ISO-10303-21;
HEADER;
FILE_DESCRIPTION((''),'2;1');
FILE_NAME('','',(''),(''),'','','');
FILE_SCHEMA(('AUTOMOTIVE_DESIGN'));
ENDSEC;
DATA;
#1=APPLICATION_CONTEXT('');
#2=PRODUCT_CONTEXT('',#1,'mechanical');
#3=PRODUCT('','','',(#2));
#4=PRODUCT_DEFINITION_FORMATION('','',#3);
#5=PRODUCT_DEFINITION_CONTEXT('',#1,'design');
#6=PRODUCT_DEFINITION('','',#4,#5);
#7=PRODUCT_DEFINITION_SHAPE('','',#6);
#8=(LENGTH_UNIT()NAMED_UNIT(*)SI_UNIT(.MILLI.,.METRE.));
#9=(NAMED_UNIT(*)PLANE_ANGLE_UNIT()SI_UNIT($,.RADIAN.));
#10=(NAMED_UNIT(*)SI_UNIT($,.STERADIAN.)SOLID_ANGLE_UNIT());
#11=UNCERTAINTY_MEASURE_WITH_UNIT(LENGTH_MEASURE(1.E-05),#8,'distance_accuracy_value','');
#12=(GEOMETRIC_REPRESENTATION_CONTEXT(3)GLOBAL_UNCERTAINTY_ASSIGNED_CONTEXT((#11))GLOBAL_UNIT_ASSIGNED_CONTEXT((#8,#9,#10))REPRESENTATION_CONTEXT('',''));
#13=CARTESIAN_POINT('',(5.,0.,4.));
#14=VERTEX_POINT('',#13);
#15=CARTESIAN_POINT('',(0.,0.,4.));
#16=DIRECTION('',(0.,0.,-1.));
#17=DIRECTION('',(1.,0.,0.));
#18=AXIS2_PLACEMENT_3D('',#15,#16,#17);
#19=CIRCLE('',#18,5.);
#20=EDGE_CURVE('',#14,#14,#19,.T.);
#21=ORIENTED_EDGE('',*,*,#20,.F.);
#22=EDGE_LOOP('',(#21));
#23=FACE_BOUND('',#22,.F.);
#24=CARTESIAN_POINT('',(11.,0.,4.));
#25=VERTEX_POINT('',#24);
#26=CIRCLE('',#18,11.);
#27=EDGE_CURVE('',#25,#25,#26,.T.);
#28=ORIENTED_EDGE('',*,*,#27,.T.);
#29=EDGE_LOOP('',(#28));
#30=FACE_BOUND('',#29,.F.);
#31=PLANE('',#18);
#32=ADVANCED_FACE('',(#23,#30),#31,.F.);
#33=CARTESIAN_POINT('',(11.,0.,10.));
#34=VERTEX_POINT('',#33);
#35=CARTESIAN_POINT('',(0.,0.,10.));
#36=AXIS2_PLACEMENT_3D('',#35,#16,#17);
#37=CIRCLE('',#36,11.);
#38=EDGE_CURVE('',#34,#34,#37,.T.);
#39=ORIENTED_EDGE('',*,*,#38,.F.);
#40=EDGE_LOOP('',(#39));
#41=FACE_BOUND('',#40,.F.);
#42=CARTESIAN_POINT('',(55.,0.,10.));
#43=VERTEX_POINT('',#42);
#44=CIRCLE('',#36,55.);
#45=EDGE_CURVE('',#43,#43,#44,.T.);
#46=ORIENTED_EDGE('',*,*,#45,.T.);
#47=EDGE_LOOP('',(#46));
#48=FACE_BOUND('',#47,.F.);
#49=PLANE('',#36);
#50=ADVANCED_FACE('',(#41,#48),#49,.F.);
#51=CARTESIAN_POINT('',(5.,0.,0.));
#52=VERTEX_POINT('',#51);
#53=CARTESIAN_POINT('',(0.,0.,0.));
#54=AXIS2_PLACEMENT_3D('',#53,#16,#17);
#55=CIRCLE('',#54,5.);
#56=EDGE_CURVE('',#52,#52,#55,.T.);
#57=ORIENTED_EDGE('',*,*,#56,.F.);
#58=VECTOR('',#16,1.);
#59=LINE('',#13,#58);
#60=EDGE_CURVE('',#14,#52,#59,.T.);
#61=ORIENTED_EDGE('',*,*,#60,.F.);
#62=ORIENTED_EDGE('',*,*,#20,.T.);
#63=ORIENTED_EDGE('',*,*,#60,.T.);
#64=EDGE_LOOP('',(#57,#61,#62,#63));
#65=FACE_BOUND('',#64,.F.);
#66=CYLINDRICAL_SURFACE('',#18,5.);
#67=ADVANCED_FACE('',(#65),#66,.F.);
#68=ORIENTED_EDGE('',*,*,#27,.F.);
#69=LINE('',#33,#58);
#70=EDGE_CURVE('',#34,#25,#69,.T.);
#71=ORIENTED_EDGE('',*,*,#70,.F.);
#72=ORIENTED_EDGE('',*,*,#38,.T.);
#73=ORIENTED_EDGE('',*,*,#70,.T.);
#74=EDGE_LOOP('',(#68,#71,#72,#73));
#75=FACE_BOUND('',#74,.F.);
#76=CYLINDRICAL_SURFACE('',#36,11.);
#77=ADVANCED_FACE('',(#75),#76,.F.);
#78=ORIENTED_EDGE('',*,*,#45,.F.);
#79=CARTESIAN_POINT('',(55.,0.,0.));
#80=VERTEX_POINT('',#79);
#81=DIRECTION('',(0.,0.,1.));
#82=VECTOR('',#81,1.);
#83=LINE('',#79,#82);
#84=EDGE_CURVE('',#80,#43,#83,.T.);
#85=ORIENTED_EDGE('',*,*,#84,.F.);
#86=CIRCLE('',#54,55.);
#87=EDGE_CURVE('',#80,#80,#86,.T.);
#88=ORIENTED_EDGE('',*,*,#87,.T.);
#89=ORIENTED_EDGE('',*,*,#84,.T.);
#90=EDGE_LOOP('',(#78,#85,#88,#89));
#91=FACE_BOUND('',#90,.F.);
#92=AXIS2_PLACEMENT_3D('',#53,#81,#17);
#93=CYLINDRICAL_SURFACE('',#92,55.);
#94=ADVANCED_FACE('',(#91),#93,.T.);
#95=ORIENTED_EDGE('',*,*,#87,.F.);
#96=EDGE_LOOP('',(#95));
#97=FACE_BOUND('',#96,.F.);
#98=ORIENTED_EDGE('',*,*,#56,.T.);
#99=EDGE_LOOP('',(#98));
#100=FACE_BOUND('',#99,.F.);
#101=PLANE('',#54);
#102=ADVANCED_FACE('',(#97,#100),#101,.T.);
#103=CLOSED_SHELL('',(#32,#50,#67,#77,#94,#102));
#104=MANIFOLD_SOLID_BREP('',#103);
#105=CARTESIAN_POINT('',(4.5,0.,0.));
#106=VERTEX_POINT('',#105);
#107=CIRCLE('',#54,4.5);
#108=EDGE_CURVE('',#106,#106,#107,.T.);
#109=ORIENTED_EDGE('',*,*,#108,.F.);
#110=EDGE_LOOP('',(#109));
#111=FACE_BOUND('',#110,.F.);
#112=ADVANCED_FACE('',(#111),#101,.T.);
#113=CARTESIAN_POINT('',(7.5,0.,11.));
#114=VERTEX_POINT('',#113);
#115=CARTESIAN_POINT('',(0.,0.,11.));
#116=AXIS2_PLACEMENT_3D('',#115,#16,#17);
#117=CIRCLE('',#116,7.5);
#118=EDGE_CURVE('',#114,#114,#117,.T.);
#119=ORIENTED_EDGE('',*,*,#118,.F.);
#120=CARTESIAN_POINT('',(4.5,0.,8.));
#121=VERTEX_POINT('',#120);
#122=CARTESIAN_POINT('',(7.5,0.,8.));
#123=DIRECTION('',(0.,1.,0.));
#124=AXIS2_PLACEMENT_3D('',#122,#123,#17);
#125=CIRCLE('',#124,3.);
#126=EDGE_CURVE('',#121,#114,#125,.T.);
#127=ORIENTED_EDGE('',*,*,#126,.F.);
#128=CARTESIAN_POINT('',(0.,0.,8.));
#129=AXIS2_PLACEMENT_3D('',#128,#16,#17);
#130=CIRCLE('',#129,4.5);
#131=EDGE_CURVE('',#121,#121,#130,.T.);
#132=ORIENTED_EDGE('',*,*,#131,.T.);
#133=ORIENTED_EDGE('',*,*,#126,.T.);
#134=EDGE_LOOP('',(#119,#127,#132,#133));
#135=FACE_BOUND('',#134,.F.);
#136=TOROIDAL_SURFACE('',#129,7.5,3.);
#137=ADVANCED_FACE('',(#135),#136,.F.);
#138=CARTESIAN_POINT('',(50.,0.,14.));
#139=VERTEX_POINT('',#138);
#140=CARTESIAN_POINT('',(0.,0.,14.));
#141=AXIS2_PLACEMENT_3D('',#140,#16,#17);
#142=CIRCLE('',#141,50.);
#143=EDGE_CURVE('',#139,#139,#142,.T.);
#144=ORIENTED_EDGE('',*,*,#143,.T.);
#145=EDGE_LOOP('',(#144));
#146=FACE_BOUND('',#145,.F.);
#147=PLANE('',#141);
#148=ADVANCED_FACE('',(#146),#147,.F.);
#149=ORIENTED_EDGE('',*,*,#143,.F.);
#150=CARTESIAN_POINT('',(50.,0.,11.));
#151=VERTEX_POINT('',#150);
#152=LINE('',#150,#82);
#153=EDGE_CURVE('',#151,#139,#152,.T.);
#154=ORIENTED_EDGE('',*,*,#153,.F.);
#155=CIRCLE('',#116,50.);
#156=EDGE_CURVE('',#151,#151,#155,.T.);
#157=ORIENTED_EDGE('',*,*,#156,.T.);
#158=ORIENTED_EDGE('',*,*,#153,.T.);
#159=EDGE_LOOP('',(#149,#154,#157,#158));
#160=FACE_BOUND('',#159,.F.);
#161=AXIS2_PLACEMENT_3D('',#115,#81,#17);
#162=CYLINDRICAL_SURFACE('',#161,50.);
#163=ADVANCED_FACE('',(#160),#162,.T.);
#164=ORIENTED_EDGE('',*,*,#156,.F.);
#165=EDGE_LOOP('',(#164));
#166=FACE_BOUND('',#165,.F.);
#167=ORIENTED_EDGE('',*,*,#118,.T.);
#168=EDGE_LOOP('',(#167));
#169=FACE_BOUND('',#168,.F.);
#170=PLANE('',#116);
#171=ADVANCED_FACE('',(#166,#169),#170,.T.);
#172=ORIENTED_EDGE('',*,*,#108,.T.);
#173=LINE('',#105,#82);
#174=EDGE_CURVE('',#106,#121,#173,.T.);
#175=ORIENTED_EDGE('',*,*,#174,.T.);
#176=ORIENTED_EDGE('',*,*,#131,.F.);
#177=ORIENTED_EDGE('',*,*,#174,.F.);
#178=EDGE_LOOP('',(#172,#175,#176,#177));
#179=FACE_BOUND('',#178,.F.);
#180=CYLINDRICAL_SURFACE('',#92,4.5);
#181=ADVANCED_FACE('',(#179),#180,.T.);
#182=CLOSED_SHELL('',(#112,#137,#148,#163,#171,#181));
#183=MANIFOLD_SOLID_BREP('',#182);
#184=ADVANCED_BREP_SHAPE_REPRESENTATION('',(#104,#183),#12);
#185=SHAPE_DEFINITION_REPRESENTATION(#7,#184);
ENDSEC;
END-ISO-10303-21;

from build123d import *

# Parameters (mm, degrees)
F2_R = 3


with BuildPart() as f1:
    # F0 (on Front) → F1 (revolve)
    with BuildSketch(Plane.XZ):
        Polygon((50, 14), (0, 14), (0, 0), (4.5, 0), (4.5, 11), (50, 11), align=None)
        Polygon((55, 10), (11, 10), (11, 4), (5, 4), (5, 0), (55, 0), align=None)
    revolve(axis=Axis((0, 0, 7), (0, 0, -1)))

    # F2
    f2_edges = [f1.edges().sort_by_distance(p)[0] for p in [
        (-4.5, 0, 11),
    ]]
    fillet(f2_edges, radius=F2_R)


solid = f1.part
